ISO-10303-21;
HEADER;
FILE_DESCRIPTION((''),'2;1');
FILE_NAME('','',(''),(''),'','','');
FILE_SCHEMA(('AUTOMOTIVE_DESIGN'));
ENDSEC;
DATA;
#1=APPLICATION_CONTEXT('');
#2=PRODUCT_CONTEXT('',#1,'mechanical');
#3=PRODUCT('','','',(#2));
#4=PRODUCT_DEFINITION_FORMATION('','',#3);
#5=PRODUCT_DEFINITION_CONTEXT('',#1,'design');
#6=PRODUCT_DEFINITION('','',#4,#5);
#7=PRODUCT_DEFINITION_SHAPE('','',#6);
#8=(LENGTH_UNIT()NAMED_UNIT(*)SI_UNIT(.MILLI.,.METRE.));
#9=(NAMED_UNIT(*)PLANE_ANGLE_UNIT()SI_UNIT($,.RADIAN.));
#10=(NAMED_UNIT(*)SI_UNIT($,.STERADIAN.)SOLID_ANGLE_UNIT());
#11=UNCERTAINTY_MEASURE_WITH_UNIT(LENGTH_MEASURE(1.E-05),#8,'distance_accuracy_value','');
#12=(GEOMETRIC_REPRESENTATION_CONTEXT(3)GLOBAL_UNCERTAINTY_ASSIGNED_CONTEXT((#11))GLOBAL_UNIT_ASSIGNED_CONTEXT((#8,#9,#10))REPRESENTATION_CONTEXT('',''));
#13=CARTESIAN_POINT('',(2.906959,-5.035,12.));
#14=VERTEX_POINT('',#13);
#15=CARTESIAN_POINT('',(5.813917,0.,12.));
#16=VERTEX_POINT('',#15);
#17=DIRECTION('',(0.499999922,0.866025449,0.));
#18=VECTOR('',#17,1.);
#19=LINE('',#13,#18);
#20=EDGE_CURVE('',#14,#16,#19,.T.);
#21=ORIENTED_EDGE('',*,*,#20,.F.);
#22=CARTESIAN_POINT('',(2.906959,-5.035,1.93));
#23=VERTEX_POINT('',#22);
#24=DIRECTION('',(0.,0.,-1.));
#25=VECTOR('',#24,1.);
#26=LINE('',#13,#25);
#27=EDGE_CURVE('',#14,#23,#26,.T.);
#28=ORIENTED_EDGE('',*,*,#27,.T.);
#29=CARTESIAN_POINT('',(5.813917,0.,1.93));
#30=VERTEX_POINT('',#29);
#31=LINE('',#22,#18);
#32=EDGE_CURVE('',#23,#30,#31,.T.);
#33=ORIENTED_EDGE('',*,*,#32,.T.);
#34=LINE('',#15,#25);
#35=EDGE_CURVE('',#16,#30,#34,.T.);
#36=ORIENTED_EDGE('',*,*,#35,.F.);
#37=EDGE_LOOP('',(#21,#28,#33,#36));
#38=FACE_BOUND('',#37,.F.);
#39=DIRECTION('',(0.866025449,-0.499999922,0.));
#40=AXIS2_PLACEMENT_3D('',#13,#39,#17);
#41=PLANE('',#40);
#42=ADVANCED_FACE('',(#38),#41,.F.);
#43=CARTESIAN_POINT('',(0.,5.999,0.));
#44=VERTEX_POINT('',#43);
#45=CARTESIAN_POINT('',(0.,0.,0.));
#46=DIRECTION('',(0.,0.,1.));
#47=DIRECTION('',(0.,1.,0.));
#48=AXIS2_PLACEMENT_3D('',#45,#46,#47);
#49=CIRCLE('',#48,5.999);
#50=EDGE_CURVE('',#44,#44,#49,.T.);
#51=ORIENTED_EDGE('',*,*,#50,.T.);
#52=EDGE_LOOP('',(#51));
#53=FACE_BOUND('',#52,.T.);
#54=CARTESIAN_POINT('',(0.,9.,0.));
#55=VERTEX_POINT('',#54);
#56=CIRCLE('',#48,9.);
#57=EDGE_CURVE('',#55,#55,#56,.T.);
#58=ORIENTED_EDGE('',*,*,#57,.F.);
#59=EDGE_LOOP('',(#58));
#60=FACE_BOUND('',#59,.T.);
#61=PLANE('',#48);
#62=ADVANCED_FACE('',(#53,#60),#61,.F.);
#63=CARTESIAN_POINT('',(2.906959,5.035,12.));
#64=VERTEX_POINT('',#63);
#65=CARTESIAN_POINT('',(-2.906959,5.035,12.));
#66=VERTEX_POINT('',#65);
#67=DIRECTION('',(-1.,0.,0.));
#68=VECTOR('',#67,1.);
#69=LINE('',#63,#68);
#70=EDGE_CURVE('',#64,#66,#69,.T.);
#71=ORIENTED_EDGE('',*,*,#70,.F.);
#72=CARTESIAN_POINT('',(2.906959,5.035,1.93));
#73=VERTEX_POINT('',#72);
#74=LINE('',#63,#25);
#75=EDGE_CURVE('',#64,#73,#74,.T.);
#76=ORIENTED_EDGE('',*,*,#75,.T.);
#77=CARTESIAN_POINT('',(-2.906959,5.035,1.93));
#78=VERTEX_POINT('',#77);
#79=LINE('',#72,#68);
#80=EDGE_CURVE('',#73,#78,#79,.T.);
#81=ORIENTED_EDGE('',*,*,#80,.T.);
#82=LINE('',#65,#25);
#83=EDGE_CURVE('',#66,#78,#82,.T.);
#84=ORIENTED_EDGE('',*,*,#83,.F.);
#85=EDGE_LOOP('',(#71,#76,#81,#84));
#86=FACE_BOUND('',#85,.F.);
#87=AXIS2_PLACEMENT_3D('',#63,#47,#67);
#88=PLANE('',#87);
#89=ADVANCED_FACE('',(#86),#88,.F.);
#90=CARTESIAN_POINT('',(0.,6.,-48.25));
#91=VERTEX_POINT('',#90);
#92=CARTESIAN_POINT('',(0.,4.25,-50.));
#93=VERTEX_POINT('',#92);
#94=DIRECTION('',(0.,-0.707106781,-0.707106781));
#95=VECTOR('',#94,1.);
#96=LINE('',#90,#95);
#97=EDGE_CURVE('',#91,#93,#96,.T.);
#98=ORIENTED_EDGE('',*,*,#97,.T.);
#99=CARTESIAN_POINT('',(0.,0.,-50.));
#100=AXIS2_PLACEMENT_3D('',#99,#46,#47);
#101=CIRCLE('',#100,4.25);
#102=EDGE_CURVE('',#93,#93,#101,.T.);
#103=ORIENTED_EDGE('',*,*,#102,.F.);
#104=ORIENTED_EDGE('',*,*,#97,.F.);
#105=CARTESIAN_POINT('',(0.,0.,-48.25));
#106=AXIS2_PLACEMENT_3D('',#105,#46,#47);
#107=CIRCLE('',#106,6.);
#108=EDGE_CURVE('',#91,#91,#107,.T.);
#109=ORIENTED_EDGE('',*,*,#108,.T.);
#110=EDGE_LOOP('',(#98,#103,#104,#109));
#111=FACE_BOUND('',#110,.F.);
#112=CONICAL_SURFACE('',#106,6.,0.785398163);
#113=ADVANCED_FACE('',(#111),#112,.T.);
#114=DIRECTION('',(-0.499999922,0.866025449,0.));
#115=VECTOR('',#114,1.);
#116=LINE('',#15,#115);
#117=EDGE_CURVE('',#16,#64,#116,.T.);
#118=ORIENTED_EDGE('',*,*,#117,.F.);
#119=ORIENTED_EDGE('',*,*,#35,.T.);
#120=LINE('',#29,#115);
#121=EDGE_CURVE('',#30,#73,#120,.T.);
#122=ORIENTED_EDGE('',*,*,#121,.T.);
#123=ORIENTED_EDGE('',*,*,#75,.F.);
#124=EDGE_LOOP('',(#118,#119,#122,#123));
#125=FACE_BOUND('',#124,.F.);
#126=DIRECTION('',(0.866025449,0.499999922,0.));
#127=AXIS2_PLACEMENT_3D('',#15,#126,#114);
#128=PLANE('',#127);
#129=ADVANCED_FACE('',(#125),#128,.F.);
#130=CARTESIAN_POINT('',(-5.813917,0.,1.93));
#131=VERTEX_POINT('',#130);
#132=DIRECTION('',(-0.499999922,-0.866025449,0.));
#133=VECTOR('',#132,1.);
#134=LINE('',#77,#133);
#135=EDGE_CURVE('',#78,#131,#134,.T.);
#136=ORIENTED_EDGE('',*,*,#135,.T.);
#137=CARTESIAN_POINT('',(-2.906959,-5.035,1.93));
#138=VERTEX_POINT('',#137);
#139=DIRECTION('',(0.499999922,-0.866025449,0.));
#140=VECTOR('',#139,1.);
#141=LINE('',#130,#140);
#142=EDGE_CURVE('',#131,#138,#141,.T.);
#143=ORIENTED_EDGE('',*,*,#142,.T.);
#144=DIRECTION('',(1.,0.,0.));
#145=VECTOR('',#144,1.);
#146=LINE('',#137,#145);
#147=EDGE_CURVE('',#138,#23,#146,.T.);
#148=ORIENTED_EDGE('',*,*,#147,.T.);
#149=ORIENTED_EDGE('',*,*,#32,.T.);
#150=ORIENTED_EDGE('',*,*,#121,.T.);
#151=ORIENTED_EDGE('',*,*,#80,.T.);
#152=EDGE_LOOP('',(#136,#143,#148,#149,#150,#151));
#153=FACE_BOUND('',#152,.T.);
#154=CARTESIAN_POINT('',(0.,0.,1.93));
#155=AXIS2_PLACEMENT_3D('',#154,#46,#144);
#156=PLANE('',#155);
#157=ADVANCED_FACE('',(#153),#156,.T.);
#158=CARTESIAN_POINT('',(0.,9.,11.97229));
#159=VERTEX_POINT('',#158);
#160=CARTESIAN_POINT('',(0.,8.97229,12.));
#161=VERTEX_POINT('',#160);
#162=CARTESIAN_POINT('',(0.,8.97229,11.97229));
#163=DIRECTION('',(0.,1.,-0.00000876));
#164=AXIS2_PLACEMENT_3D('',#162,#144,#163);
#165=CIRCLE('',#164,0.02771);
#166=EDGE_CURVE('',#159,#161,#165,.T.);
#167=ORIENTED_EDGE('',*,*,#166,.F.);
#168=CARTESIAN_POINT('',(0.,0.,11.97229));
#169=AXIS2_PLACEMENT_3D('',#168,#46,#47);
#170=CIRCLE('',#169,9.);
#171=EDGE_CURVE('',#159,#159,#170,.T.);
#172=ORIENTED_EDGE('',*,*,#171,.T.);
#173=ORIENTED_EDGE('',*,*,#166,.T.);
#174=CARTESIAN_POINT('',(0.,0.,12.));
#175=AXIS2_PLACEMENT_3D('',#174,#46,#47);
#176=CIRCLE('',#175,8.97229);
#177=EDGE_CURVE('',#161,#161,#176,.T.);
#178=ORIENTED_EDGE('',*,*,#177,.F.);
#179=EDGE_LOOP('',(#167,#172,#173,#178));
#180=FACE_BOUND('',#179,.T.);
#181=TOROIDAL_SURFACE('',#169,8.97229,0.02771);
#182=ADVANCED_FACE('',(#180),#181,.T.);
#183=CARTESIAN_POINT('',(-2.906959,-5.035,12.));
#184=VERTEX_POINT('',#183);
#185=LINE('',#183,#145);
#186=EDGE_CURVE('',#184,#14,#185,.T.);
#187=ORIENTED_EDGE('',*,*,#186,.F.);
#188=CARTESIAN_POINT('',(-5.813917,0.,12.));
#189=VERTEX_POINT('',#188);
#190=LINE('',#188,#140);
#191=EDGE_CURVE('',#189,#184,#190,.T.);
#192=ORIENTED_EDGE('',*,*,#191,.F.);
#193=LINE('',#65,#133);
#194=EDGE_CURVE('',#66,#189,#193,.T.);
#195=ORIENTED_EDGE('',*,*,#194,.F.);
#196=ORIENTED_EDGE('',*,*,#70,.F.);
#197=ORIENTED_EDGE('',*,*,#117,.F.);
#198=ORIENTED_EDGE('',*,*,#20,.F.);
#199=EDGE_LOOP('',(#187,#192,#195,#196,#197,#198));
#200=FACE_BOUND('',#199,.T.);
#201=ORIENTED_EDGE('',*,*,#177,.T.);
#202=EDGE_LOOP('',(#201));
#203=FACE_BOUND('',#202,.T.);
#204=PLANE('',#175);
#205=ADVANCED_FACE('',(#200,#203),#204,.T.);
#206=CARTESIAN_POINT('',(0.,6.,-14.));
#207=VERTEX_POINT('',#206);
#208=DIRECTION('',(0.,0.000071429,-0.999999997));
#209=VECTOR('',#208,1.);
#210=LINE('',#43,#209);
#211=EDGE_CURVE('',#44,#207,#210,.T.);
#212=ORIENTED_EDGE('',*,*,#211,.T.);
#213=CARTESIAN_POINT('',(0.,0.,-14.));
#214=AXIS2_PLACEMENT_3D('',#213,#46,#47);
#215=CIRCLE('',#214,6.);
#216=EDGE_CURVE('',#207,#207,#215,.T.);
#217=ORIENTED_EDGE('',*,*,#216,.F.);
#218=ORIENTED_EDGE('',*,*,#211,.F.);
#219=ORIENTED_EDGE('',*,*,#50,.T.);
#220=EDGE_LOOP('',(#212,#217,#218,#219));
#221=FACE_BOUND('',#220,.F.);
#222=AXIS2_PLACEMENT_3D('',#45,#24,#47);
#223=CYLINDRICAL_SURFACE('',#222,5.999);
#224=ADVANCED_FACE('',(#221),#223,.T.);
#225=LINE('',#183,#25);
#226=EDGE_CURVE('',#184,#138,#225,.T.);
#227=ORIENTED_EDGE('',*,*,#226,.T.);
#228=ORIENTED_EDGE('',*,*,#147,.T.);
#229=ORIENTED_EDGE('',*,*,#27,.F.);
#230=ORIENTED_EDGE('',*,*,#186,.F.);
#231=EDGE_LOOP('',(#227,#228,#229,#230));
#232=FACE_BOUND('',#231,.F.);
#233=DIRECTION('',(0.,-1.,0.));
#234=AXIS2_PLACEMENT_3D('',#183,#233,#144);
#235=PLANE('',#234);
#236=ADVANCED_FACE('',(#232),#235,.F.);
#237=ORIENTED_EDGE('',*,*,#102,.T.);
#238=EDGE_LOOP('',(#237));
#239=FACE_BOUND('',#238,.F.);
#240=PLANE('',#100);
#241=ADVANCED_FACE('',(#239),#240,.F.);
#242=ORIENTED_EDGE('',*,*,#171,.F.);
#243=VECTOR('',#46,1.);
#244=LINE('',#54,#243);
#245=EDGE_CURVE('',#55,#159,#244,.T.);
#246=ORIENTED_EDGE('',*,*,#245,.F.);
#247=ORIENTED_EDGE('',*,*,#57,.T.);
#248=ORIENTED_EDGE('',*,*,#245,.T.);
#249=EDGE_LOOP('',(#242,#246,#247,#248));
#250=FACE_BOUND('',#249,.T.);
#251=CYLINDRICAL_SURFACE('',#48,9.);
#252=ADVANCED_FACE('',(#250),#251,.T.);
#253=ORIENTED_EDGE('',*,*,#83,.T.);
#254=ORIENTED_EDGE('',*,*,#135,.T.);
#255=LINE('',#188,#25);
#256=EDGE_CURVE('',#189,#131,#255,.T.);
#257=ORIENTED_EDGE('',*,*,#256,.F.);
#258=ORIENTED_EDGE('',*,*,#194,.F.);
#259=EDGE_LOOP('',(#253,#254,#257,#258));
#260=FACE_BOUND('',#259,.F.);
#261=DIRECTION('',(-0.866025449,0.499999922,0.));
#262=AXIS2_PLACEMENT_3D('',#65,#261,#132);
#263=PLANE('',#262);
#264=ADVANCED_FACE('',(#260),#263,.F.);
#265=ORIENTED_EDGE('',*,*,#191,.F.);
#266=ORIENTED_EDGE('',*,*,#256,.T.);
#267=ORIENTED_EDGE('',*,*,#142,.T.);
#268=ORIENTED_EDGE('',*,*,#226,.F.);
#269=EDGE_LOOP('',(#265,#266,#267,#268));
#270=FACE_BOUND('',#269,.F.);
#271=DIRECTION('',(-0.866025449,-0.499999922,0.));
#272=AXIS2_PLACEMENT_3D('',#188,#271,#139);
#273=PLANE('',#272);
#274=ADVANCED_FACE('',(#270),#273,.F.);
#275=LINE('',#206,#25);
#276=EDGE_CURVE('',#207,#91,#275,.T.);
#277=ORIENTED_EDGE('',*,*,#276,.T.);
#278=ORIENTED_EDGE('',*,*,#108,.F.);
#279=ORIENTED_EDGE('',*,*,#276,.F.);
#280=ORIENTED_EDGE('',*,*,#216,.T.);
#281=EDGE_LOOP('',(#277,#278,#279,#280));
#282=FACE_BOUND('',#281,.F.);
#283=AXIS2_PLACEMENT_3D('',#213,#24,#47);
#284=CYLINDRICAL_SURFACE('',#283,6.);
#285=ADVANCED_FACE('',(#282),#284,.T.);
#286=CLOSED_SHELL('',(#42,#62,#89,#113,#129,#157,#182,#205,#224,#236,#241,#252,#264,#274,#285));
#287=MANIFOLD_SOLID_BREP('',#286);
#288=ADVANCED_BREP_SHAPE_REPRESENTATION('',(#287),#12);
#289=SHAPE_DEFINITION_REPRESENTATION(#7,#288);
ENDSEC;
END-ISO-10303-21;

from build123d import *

# Parameters (mm, degrees)
POCKET_DEPTH = 10.07


with BuildPart() as part:
    # Sketch → Revolve (revolve)
    with BuildSketch(Plane.YZ):
        with BuildLine():
            Line((5.999, 0), (9, 0))
            Line((9, 0), (9, 11.97229))
            ThreePointArc((9, 11.97229), (8.991884, 11.991884), (8.97229, 12))
            Line((8.97229, 12), (0, 12))
            Line((0, -50), (0, 12))
            Line((4.25, -50), (0, -50))
            Line((6, -48.25), (4.25, -50))
            Line((6, -14), (6, -48.25))
            Line((5.999, 0), (6, -14))
        make_face()
    revolve(axis=Axis((0, 0, 0), (0, 0, 1)))

    # Sketch001 → Pocket (cut)
    with BuildSketch(Plane.XY.offset(12)):
        Polygon((5.813917, 0), (2.906959, 5.035), (-2.906959, 5.035), (-5.813917, 0), (-2.906959, -5.035), (2.906959, -5.035), align=None)
    extrude(amount=-POCKET_DEPTH, mode=Mode.SUBTRACT)


solid = part.part
